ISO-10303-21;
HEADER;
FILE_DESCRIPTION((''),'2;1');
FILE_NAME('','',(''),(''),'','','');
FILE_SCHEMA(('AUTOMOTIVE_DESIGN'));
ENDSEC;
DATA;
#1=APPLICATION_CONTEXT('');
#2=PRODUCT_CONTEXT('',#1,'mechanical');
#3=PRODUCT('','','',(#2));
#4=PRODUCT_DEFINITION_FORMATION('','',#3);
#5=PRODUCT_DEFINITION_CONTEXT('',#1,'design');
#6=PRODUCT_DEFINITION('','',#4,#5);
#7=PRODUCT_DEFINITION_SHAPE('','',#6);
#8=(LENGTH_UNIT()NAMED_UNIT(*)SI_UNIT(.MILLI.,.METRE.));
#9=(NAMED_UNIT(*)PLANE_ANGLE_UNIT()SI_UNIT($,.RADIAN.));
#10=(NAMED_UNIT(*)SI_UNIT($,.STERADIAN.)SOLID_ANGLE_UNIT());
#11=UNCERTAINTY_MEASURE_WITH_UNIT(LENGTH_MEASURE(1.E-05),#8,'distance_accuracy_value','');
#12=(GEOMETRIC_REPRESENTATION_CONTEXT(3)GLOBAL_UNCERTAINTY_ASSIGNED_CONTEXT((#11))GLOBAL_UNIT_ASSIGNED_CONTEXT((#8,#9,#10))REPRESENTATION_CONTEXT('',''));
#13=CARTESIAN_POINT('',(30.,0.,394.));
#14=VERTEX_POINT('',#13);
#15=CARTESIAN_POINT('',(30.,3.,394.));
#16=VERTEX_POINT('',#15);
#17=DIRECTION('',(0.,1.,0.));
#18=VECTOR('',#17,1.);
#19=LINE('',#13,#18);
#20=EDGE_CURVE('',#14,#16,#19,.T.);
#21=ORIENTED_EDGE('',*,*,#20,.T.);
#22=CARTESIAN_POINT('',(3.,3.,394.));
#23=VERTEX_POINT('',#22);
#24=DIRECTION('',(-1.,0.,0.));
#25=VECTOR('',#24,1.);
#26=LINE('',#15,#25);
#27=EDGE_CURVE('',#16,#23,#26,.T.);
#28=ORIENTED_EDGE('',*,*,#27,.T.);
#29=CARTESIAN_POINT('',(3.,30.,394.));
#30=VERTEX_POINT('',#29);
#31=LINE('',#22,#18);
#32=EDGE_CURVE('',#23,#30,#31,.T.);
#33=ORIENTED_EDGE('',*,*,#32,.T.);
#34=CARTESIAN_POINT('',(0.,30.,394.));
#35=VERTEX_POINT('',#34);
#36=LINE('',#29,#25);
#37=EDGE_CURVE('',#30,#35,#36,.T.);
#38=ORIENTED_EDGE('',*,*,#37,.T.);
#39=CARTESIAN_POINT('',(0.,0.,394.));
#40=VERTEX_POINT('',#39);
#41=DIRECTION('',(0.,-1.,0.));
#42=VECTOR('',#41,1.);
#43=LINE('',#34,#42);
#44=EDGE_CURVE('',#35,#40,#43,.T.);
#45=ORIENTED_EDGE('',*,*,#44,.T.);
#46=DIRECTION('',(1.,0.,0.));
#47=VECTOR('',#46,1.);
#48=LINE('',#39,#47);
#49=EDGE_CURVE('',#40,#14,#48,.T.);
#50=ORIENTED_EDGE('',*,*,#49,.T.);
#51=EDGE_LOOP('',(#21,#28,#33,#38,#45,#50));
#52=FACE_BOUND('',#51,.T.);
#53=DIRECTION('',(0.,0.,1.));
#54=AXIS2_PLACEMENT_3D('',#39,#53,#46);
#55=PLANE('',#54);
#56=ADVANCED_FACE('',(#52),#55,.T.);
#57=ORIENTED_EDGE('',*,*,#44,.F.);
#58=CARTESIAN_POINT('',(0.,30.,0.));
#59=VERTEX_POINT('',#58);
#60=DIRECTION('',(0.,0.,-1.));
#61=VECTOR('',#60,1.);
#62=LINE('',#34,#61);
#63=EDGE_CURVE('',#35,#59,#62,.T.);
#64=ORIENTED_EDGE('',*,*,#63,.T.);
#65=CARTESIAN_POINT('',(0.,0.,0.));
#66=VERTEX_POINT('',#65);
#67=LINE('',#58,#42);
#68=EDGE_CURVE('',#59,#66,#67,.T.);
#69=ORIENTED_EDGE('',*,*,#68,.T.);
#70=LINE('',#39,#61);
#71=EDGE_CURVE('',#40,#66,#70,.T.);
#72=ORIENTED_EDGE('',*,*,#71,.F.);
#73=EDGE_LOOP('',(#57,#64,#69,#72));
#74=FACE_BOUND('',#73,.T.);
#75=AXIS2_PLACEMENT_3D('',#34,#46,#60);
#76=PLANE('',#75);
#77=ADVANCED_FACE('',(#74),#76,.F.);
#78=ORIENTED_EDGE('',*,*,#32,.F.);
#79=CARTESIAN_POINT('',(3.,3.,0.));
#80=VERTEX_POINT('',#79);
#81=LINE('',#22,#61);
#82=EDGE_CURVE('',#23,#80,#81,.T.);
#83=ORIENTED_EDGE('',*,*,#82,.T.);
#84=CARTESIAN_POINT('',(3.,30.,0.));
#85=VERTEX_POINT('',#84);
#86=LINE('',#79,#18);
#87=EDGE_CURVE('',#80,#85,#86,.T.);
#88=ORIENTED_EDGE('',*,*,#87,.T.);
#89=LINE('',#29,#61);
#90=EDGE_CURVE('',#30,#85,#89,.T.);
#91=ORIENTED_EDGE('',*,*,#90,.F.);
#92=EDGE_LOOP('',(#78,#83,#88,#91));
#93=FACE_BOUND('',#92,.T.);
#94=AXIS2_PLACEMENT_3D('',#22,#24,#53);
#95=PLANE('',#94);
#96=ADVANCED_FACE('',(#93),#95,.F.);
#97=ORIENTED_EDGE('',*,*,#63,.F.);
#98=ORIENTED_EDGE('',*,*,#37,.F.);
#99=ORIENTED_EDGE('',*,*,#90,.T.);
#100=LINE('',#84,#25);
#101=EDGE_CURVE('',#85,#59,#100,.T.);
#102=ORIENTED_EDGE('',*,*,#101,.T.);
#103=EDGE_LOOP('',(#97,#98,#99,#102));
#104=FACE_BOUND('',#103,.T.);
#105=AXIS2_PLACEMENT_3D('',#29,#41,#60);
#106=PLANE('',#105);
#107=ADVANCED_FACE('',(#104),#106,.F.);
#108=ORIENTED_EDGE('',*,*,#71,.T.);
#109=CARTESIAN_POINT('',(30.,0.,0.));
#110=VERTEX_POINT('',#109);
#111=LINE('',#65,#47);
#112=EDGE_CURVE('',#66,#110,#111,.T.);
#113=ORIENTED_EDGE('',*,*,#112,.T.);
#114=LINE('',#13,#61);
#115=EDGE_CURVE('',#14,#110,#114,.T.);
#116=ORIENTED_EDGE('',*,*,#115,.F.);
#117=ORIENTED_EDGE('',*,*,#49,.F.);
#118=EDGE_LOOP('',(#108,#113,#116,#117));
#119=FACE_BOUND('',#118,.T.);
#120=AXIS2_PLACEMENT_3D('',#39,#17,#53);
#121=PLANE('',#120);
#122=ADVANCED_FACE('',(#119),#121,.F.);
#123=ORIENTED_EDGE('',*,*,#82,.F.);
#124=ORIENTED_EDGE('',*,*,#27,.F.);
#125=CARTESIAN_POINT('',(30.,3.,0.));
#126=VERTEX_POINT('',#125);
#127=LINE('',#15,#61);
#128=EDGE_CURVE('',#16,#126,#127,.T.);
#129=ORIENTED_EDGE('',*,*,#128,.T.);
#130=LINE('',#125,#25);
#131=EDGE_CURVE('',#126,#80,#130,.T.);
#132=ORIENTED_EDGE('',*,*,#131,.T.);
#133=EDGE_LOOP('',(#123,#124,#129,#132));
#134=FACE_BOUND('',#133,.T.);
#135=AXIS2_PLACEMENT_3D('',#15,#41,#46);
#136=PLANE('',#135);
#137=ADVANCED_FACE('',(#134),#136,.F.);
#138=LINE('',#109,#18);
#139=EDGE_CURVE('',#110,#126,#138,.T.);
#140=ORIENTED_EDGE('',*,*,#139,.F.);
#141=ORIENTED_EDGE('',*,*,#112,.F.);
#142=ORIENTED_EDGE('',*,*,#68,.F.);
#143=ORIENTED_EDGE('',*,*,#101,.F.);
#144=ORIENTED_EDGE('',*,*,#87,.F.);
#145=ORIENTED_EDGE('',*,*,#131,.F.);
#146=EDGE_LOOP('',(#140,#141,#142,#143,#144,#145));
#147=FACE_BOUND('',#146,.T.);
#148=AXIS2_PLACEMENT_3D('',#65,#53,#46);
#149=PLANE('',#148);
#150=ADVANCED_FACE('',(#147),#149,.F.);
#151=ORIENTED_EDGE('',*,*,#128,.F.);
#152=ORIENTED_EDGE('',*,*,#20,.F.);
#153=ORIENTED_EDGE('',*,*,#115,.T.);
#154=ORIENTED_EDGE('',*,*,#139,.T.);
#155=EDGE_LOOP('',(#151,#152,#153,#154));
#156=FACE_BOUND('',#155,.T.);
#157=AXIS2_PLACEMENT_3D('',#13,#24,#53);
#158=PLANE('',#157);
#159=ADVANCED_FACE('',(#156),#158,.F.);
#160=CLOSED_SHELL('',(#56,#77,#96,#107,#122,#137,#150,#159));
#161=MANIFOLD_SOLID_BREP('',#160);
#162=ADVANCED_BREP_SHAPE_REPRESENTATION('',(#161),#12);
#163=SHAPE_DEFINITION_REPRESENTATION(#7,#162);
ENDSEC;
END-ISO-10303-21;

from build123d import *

# Parameters (mm, degrees)
ESTRUSIONE_ESTRUSIONE1_DEPTH = 394


with BuildPart() as part:
    # Schizzo1 → Estrusione-Estrusione1 (new body)
    with BuildSketch(Plane.XY):
        Polygon((0, 30), (0, 0), (30, 0), (30, 3), (3, 3), (3, 30), align=None)
    extrude(amount=ESTRUSIONE_ESTRUSIONE1_DEPTH)


solid = part.part
